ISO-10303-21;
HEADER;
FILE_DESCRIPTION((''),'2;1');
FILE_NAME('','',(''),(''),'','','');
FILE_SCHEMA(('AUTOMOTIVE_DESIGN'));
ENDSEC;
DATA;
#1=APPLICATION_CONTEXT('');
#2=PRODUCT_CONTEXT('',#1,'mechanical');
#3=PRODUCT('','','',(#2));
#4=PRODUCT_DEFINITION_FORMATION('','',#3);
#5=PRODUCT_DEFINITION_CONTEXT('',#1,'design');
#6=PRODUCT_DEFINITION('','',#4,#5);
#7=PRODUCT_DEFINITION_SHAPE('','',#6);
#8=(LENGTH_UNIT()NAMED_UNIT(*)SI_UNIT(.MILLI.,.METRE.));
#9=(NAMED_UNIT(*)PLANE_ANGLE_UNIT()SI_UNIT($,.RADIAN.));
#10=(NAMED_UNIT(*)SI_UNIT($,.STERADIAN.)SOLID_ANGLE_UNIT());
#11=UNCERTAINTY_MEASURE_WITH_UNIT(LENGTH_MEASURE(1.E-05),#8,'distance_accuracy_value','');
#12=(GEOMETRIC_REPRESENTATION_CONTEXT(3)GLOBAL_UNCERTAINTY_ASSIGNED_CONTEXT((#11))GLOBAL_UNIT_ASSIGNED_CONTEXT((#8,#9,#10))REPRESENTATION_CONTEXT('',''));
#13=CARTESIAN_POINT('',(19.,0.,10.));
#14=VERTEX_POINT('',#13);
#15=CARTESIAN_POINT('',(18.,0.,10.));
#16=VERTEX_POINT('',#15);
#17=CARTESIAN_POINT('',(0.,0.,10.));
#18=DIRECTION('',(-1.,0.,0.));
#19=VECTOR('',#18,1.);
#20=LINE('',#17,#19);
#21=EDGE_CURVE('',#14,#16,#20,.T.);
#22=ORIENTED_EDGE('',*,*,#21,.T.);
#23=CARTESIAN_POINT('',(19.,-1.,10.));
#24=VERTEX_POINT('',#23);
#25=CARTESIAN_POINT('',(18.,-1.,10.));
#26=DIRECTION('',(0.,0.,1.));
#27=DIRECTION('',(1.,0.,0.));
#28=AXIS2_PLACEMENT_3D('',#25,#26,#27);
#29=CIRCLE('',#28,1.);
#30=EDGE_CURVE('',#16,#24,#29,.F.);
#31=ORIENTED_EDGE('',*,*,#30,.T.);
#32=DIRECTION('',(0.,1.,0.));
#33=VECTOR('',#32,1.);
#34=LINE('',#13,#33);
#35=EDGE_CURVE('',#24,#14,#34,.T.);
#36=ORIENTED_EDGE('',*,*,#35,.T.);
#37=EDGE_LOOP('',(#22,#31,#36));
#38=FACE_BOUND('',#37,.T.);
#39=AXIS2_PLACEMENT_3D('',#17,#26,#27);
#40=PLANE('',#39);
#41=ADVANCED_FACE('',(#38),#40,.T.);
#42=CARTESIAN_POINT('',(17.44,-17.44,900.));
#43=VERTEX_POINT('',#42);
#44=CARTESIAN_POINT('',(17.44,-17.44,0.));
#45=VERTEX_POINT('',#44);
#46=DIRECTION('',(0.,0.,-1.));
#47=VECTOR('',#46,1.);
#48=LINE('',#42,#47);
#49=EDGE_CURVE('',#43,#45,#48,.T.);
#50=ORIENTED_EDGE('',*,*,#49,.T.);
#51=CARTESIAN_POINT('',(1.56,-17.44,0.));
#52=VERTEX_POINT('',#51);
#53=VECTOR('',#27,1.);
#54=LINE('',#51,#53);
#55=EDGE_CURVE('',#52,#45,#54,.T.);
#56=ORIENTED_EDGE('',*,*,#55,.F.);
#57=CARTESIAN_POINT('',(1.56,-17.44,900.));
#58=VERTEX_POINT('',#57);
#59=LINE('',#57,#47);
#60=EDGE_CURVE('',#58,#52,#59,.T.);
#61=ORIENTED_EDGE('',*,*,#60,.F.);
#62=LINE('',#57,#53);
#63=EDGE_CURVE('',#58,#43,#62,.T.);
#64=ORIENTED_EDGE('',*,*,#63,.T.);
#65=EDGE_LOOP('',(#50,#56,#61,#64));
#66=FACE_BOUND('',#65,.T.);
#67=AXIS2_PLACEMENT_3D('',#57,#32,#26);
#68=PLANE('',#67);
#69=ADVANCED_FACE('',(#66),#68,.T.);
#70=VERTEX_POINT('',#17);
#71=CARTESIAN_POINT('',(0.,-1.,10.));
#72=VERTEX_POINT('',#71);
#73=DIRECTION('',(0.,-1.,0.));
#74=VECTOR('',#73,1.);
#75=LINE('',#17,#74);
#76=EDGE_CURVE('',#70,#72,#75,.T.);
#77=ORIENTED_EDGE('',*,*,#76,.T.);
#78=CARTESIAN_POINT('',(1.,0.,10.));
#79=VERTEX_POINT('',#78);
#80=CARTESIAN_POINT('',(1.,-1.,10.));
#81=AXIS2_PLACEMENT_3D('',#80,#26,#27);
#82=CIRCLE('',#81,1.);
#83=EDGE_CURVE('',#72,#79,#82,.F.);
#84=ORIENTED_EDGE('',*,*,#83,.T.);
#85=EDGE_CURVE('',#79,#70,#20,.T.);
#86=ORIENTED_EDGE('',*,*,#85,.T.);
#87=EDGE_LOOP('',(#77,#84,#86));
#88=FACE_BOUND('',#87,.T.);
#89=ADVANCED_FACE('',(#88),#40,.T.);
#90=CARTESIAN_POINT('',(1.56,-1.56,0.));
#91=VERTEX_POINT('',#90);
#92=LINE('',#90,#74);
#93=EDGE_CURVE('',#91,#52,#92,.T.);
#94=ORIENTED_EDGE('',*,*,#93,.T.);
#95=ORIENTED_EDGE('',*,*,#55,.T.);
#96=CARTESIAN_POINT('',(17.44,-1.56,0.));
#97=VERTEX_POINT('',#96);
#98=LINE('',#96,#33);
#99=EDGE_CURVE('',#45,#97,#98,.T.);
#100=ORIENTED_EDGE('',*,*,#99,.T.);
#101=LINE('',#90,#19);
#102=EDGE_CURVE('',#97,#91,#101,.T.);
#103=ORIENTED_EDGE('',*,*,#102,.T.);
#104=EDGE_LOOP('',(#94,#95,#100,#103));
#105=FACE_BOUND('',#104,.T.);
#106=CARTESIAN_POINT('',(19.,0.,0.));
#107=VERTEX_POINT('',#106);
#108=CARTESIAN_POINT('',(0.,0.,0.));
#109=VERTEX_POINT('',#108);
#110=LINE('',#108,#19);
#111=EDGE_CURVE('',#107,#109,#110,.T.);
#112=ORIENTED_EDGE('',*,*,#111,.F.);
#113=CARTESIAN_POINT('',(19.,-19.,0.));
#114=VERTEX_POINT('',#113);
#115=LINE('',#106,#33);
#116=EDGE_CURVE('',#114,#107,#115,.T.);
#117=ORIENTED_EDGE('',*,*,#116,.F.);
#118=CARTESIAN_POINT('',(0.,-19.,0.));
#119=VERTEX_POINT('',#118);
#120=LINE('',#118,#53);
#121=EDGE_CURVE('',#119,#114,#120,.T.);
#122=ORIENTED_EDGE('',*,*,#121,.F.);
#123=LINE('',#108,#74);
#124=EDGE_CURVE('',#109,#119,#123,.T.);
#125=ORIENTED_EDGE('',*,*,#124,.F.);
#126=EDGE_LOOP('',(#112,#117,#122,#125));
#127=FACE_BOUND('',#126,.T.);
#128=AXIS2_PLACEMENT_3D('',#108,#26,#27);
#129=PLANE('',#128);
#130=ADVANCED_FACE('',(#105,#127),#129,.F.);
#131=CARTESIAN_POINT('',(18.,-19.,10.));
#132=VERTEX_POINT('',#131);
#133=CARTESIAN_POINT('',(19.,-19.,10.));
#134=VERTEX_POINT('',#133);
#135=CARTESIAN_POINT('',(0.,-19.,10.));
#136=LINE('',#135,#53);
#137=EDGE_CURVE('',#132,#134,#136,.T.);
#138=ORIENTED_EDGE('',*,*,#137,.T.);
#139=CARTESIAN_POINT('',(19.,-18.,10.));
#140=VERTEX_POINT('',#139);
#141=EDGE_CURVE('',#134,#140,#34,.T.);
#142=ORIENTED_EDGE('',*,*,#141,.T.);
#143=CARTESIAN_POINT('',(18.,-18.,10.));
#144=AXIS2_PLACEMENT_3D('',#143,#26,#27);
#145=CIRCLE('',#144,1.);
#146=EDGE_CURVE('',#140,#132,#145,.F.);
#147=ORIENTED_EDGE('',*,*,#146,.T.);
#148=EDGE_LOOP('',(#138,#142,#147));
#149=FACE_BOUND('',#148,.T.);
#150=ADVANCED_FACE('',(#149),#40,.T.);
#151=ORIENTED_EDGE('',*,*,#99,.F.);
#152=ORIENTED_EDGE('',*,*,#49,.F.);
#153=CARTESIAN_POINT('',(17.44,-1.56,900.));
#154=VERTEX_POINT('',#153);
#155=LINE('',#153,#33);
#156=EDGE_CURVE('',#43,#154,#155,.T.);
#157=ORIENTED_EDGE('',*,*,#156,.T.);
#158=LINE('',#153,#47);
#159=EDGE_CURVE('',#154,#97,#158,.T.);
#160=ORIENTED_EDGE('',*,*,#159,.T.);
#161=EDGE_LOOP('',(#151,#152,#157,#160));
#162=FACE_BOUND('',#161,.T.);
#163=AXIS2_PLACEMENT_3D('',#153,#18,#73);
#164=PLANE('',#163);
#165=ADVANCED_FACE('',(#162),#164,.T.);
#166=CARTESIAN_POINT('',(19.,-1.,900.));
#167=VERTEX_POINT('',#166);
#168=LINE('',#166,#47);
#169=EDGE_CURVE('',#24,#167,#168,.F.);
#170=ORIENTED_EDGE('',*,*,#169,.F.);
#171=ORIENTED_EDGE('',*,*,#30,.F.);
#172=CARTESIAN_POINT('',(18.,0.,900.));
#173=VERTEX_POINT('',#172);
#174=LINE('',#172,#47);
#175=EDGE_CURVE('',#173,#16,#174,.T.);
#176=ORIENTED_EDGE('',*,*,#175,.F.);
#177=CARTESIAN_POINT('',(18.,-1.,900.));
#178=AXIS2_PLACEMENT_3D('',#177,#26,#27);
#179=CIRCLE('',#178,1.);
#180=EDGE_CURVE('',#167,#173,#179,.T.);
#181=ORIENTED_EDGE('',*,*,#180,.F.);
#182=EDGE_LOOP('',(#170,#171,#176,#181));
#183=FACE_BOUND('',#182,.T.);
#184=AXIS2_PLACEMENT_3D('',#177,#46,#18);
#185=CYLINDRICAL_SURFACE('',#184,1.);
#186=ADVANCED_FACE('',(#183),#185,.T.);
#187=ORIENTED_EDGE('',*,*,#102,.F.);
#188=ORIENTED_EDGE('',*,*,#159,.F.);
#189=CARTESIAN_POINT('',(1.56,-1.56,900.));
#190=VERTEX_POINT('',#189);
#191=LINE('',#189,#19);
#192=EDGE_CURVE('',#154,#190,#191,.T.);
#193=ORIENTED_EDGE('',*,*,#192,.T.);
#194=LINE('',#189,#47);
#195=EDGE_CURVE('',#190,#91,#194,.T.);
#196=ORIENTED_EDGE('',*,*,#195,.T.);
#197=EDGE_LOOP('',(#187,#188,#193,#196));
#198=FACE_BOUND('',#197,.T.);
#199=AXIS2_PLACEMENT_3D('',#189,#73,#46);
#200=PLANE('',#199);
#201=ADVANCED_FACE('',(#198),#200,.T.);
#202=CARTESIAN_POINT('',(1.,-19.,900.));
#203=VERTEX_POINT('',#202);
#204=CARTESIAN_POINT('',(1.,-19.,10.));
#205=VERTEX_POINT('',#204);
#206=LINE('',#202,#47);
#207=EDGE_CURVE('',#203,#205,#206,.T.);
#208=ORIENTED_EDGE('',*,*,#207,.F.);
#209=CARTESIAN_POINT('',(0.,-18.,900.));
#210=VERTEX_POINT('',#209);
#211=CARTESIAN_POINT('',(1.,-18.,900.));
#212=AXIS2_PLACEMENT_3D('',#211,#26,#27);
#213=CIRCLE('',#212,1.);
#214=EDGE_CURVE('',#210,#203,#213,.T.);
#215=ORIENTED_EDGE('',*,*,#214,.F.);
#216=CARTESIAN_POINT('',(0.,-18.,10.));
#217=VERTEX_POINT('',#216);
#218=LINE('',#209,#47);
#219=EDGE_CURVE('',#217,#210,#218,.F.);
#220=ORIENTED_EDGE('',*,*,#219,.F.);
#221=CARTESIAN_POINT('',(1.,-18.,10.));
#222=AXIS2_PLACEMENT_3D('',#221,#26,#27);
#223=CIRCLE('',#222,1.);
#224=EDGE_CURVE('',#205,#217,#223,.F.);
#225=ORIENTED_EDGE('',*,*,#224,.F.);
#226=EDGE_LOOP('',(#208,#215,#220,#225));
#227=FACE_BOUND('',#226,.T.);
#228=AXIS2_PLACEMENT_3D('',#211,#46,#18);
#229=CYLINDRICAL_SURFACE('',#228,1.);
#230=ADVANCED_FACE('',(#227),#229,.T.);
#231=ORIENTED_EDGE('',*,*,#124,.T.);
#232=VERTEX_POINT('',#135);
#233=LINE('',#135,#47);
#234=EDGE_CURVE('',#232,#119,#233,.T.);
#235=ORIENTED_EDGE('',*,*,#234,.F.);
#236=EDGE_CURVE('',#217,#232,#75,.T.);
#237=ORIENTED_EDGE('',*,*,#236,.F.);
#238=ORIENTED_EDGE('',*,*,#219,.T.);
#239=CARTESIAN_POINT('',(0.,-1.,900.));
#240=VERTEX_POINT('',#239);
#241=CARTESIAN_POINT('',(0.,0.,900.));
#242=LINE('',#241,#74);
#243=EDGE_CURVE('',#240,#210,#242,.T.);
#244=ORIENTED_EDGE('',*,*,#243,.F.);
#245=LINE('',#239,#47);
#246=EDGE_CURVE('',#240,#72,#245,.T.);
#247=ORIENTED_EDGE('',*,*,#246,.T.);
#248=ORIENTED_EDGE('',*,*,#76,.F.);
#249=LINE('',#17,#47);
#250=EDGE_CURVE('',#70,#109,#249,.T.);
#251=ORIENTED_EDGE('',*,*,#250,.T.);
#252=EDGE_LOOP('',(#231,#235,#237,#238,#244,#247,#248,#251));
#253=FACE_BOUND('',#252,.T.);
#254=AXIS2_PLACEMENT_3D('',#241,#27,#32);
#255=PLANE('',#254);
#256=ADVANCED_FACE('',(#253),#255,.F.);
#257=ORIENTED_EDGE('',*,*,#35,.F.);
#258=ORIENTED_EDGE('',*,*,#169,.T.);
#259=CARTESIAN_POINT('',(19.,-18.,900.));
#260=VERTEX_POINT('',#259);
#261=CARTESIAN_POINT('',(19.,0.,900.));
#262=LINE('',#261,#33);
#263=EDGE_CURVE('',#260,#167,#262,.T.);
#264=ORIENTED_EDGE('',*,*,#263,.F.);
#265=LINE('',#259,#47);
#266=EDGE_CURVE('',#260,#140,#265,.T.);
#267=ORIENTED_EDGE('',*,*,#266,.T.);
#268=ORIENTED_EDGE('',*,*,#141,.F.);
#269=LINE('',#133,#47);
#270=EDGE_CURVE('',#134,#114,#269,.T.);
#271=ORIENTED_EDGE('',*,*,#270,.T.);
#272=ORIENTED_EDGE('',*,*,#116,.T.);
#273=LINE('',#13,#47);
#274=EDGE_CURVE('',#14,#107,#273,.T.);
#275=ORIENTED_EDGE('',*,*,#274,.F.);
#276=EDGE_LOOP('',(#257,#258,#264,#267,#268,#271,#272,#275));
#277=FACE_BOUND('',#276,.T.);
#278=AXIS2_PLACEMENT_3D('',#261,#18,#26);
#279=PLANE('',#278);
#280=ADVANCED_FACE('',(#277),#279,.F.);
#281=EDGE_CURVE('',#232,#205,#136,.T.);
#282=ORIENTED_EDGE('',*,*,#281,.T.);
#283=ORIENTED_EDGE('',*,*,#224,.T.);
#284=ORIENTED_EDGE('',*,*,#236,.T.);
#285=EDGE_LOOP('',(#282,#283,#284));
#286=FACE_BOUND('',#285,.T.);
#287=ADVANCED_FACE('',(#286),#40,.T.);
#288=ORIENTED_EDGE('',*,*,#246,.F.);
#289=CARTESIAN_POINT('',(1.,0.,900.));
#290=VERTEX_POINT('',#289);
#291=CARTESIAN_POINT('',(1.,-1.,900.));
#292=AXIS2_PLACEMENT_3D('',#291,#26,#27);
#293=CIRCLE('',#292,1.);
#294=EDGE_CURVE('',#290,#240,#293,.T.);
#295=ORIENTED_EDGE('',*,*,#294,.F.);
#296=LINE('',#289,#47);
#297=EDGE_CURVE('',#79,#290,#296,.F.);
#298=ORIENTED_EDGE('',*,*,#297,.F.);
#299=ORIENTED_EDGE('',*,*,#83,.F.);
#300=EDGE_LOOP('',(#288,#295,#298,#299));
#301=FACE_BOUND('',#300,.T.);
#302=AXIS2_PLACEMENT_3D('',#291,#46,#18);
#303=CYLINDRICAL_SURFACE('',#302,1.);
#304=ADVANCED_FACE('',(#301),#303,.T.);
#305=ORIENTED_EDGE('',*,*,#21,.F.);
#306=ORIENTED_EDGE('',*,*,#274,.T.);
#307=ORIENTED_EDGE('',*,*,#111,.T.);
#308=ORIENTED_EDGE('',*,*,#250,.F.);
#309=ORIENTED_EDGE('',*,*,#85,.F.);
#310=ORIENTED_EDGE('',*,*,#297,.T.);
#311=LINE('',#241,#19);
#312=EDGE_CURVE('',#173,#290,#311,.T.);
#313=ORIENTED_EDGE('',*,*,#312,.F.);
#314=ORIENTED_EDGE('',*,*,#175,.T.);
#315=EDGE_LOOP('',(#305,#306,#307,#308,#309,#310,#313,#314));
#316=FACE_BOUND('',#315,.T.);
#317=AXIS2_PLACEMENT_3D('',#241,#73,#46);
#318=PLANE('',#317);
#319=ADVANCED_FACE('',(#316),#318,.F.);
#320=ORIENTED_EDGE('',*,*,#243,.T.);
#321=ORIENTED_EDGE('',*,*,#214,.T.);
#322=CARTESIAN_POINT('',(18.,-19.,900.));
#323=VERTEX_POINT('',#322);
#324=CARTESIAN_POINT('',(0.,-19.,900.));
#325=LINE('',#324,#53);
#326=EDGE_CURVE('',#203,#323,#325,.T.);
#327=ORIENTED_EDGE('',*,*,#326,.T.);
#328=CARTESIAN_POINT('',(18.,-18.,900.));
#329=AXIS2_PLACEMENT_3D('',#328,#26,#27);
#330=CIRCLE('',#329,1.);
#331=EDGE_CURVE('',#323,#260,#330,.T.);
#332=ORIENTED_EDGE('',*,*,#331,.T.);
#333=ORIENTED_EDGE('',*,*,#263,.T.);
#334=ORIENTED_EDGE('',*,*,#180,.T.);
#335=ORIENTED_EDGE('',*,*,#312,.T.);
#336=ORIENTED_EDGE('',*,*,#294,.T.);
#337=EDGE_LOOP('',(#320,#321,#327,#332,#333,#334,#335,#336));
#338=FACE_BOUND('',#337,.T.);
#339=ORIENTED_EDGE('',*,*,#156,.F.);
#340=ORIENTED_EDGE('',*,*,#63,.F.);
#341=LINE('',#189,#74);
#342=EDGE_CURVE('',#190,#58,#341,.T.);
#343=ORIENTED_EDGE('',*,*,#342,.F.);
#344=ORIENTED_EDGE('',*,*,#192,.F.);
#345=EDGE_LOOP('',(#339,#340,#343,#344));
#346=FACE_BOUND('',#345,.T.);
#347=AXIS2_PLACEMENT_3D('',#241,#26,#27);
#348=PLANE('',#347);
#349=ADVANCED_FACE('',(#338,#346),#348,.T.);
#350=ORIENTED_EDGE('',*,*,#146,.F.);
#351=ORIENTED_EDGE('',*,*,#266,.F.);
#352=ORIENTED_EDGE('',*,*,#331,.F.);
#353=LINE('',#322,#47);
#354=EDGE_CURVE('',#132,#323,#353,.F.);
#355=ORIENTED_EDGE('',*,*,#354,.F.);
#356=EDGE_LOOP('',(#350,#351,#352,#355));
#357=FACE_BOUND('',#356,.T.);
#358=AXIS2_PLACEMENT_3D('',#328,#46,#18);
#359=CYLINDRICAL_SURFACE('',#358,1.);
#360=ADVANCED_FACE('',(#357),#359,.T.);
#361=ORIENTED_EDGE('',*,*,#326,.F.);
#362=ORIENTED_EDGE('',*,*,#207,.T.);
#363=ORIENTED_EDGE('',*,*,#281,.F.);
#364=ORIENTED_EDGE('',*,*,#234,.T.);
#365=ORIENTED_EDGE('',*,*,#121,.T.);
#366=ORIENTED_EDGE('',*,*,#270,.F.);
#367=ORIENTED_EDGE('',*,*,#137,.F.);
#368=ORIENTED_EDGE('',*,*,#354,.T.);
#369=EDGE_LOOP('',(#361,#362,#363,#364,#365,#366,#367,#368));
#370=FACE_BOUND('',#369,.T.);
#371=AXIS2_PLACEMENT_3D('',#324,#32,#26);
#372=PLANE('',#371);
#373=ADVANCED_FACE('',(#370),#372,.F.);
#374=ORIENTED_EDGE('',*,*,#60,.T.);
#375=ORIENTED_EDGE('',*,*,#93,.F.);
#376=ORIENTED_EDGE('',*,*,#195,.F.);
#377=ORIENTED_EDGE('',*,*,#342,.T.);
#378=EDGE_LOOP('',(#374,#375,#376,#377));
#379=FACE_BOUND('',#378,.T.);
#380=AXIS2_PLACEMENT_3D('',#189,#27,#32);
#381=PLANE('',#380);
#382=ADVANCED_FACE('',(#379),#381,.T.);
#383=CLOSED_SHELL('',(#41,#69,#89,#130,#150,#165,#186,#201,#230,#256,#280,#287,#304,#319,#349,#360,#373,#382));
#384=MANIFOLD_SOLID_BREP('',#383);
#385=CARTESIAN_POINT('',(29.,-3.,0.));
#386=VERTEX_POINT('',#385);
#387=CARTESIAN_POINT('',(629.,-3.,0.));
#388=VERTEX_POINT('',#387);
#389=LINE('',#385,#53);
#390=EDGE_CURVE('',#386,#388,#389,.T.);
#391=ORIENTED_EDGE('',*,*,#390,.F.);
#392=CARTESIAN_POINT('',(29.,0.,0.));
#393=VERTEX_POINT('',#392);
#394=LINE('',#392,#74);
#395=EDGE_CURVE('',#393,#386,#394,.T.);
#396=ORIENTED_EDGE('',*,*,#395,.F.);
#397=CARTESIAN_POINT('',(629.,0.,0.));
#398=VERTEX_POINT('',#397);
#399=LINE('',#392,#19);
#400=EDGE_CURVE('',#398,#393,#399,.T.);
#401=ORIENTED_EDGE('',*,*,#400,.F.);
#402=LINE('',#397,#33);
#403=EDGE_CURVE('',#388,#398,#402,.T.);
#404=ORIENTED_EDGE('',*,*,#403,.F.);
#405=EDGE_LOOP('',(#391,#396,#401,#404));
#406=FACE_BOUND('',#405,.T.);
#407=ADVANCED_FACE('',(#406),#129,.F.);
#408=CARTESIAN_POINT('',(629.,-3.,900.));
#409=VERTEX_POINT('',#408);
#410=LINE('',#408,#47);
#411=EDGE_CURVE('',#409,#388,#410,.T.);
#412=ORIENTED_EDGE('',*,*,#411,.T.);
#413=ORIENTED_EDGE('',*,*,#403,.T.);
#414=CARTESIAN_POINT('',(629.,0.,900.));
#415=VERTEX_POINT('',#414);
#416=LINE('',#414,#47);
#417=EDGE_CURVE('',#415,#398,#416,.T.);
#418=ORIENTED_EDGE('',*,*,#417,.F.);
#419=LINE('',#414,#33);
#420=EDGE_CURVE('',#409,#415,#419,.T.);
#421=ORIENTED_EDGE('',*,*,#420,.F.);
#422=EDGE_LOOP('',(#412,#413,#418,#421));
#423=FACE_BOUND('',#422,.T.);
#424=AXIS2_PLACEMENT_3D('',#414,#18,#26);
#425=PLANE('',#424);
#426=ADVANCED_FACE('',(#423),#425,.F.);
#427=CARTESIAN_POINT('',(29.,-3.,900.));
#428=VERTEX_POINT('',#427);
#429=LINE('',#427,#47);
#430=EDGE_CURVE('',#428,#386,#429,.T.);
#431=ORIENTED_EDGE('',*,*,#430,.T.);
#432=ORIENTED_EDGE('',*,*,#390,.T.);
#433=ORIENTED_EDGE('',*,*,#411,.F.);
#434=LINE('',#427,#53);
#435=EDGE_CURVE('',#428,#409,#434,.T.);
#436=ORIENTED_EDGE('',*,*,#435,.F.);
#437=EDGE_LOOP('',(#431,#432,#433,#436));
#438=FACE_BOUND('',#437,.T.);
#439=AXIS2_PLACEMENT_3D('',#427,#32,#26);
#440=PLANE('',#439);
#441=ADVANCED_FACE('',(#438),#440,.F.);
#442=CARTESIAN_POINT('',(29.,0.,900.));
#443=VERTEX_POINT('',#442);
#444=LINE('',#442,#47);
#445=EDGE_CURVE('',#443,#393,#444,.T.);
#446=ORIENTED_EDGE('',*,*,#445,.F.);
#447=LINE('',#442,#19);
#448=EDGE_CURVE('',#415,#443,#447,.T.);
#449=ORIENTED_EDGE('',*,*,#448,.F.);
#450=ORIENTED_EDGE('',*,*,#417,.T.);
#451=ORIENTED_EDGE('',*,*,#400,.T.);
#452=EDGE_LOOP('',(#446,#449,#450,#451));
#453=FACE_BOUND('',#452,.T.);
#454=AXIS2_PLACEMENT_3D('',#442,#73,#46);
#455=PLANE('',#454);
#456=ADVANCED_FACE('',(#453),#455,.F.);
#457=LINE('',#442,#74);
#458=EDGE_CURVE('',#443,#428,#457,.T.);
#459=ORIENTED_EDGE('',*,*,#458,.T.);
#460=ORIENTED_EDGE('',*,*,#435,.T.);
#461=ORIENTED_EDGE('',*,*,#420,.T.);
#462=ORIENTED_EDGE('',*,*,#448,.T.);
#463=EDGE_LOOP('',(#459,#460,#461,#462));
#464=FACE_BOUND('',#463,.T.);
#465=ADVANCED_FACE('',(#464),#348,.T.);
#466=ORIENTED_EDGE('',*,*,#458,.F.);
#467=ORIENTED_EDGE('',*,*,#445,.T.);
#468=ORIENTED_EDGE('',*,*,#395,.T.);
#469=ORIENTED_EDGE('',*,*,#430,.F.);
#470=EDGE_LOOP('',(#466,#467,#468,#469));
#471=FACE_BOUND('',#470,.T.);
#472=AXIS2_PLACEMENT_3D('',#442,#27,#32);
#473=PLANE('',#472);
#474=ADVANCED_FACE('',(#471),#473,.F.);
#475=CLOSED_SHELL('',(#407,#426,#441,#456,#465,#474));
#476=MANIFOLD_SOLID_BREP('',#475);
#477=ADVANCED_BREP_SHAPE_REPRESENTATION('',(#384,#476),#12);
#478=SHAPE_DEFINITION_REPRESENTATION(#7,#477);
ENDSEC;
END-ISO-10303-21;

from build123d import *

# Parameters (mm, degrees)
SKETCH_1_W        = 19
SKETCH_1_H        = 19
SKETCH_1_W_2      = 15.88
SKETCH_1_H_2      = 15.88
EXTRUDE_1_DEPTH   = 900
SKETCH_1_W_3      = 600
SKETCH_1_H_3      = 3
EXTRUDE_1_2_DEPTH = 900
FILLET_2_R        = 1
SKETCH_1_2_W      = 19
SKETCH_1_2_H      = 19
SKETCH_1_2_W_2    = 15.88
SKETCH_1_2_H_2    = 15.88
SKETCH_1_2_W_3    = 600
SKETCH_1_2_H_3    = 3
EXTRUDE_2_DEPTH   = 10


with BuildPart() as part:
    # 스케치1 → 보스-돌출1 (new body)
    with BuildSketch(Plane.XY):
        with Locations((9.5, -9.5)):
            Rectangle(SKETCH_1_W, SKETCH_1_H)
        with Locations((9.5, -9.5)):
            Rectangle(SKETCH_1_W_2, SKETCH_1_H_2, mode=Mode.SUBTRACT)
    extrude(amount=EXTRUDE_1_DEPTH)

    # 필렛2
    fillet_2_edges = [part.edges().sort_by_distance(p)[0] for p in [
        (0, -19, 450),
        (0, 0, 450),
        (19, -19, 450),
        (19, 0, 450),
    ]]
    fillet(fillet_2_edges, radius=FILLET_2_R)



with BuildPart() as body_2:
    # 스케치1 → Extrude 1 2 (new body)
    with BuildSketch(Plane.XY):
        with Locations((329, -1.5)):
            Rectangle(SKETCH_1_W_3, SKETCH_1_H_3)
    extrude(amount=EXTRUDE_1_2_DEPTH)


with BuildPart() as part_1:
    add(part.part)

    add(body_2.part)  # 보스-돌출2 merges body 2
    # 스케치1<2> → 보스-돌출2 (add)
    # profile 1 of 2: a face of its own
    with BuildSketch(Plane.XY):
        with Locations((9.5, -9.5)):
            Rectangle(SKETCH_1_2_W, SKETCH_1_2_H)
        with Locations((9.5, -9.5)):
            Rectangle(SKETCH_1_2_W_2, SKETCH_1_2_H_2, mode=Mode.SUBTRACT)
    # profile 2 of 2: a face of its own
    with BuildSketch(Plane.XY):
        with Locations((329, -1.5)):
            Rectangle(SKETCH_1_2_W_3, SKETCH_1_2_H_3)
    extrude(amount=EXTRUDE_2_DEPTH)


solid = part_1.part
